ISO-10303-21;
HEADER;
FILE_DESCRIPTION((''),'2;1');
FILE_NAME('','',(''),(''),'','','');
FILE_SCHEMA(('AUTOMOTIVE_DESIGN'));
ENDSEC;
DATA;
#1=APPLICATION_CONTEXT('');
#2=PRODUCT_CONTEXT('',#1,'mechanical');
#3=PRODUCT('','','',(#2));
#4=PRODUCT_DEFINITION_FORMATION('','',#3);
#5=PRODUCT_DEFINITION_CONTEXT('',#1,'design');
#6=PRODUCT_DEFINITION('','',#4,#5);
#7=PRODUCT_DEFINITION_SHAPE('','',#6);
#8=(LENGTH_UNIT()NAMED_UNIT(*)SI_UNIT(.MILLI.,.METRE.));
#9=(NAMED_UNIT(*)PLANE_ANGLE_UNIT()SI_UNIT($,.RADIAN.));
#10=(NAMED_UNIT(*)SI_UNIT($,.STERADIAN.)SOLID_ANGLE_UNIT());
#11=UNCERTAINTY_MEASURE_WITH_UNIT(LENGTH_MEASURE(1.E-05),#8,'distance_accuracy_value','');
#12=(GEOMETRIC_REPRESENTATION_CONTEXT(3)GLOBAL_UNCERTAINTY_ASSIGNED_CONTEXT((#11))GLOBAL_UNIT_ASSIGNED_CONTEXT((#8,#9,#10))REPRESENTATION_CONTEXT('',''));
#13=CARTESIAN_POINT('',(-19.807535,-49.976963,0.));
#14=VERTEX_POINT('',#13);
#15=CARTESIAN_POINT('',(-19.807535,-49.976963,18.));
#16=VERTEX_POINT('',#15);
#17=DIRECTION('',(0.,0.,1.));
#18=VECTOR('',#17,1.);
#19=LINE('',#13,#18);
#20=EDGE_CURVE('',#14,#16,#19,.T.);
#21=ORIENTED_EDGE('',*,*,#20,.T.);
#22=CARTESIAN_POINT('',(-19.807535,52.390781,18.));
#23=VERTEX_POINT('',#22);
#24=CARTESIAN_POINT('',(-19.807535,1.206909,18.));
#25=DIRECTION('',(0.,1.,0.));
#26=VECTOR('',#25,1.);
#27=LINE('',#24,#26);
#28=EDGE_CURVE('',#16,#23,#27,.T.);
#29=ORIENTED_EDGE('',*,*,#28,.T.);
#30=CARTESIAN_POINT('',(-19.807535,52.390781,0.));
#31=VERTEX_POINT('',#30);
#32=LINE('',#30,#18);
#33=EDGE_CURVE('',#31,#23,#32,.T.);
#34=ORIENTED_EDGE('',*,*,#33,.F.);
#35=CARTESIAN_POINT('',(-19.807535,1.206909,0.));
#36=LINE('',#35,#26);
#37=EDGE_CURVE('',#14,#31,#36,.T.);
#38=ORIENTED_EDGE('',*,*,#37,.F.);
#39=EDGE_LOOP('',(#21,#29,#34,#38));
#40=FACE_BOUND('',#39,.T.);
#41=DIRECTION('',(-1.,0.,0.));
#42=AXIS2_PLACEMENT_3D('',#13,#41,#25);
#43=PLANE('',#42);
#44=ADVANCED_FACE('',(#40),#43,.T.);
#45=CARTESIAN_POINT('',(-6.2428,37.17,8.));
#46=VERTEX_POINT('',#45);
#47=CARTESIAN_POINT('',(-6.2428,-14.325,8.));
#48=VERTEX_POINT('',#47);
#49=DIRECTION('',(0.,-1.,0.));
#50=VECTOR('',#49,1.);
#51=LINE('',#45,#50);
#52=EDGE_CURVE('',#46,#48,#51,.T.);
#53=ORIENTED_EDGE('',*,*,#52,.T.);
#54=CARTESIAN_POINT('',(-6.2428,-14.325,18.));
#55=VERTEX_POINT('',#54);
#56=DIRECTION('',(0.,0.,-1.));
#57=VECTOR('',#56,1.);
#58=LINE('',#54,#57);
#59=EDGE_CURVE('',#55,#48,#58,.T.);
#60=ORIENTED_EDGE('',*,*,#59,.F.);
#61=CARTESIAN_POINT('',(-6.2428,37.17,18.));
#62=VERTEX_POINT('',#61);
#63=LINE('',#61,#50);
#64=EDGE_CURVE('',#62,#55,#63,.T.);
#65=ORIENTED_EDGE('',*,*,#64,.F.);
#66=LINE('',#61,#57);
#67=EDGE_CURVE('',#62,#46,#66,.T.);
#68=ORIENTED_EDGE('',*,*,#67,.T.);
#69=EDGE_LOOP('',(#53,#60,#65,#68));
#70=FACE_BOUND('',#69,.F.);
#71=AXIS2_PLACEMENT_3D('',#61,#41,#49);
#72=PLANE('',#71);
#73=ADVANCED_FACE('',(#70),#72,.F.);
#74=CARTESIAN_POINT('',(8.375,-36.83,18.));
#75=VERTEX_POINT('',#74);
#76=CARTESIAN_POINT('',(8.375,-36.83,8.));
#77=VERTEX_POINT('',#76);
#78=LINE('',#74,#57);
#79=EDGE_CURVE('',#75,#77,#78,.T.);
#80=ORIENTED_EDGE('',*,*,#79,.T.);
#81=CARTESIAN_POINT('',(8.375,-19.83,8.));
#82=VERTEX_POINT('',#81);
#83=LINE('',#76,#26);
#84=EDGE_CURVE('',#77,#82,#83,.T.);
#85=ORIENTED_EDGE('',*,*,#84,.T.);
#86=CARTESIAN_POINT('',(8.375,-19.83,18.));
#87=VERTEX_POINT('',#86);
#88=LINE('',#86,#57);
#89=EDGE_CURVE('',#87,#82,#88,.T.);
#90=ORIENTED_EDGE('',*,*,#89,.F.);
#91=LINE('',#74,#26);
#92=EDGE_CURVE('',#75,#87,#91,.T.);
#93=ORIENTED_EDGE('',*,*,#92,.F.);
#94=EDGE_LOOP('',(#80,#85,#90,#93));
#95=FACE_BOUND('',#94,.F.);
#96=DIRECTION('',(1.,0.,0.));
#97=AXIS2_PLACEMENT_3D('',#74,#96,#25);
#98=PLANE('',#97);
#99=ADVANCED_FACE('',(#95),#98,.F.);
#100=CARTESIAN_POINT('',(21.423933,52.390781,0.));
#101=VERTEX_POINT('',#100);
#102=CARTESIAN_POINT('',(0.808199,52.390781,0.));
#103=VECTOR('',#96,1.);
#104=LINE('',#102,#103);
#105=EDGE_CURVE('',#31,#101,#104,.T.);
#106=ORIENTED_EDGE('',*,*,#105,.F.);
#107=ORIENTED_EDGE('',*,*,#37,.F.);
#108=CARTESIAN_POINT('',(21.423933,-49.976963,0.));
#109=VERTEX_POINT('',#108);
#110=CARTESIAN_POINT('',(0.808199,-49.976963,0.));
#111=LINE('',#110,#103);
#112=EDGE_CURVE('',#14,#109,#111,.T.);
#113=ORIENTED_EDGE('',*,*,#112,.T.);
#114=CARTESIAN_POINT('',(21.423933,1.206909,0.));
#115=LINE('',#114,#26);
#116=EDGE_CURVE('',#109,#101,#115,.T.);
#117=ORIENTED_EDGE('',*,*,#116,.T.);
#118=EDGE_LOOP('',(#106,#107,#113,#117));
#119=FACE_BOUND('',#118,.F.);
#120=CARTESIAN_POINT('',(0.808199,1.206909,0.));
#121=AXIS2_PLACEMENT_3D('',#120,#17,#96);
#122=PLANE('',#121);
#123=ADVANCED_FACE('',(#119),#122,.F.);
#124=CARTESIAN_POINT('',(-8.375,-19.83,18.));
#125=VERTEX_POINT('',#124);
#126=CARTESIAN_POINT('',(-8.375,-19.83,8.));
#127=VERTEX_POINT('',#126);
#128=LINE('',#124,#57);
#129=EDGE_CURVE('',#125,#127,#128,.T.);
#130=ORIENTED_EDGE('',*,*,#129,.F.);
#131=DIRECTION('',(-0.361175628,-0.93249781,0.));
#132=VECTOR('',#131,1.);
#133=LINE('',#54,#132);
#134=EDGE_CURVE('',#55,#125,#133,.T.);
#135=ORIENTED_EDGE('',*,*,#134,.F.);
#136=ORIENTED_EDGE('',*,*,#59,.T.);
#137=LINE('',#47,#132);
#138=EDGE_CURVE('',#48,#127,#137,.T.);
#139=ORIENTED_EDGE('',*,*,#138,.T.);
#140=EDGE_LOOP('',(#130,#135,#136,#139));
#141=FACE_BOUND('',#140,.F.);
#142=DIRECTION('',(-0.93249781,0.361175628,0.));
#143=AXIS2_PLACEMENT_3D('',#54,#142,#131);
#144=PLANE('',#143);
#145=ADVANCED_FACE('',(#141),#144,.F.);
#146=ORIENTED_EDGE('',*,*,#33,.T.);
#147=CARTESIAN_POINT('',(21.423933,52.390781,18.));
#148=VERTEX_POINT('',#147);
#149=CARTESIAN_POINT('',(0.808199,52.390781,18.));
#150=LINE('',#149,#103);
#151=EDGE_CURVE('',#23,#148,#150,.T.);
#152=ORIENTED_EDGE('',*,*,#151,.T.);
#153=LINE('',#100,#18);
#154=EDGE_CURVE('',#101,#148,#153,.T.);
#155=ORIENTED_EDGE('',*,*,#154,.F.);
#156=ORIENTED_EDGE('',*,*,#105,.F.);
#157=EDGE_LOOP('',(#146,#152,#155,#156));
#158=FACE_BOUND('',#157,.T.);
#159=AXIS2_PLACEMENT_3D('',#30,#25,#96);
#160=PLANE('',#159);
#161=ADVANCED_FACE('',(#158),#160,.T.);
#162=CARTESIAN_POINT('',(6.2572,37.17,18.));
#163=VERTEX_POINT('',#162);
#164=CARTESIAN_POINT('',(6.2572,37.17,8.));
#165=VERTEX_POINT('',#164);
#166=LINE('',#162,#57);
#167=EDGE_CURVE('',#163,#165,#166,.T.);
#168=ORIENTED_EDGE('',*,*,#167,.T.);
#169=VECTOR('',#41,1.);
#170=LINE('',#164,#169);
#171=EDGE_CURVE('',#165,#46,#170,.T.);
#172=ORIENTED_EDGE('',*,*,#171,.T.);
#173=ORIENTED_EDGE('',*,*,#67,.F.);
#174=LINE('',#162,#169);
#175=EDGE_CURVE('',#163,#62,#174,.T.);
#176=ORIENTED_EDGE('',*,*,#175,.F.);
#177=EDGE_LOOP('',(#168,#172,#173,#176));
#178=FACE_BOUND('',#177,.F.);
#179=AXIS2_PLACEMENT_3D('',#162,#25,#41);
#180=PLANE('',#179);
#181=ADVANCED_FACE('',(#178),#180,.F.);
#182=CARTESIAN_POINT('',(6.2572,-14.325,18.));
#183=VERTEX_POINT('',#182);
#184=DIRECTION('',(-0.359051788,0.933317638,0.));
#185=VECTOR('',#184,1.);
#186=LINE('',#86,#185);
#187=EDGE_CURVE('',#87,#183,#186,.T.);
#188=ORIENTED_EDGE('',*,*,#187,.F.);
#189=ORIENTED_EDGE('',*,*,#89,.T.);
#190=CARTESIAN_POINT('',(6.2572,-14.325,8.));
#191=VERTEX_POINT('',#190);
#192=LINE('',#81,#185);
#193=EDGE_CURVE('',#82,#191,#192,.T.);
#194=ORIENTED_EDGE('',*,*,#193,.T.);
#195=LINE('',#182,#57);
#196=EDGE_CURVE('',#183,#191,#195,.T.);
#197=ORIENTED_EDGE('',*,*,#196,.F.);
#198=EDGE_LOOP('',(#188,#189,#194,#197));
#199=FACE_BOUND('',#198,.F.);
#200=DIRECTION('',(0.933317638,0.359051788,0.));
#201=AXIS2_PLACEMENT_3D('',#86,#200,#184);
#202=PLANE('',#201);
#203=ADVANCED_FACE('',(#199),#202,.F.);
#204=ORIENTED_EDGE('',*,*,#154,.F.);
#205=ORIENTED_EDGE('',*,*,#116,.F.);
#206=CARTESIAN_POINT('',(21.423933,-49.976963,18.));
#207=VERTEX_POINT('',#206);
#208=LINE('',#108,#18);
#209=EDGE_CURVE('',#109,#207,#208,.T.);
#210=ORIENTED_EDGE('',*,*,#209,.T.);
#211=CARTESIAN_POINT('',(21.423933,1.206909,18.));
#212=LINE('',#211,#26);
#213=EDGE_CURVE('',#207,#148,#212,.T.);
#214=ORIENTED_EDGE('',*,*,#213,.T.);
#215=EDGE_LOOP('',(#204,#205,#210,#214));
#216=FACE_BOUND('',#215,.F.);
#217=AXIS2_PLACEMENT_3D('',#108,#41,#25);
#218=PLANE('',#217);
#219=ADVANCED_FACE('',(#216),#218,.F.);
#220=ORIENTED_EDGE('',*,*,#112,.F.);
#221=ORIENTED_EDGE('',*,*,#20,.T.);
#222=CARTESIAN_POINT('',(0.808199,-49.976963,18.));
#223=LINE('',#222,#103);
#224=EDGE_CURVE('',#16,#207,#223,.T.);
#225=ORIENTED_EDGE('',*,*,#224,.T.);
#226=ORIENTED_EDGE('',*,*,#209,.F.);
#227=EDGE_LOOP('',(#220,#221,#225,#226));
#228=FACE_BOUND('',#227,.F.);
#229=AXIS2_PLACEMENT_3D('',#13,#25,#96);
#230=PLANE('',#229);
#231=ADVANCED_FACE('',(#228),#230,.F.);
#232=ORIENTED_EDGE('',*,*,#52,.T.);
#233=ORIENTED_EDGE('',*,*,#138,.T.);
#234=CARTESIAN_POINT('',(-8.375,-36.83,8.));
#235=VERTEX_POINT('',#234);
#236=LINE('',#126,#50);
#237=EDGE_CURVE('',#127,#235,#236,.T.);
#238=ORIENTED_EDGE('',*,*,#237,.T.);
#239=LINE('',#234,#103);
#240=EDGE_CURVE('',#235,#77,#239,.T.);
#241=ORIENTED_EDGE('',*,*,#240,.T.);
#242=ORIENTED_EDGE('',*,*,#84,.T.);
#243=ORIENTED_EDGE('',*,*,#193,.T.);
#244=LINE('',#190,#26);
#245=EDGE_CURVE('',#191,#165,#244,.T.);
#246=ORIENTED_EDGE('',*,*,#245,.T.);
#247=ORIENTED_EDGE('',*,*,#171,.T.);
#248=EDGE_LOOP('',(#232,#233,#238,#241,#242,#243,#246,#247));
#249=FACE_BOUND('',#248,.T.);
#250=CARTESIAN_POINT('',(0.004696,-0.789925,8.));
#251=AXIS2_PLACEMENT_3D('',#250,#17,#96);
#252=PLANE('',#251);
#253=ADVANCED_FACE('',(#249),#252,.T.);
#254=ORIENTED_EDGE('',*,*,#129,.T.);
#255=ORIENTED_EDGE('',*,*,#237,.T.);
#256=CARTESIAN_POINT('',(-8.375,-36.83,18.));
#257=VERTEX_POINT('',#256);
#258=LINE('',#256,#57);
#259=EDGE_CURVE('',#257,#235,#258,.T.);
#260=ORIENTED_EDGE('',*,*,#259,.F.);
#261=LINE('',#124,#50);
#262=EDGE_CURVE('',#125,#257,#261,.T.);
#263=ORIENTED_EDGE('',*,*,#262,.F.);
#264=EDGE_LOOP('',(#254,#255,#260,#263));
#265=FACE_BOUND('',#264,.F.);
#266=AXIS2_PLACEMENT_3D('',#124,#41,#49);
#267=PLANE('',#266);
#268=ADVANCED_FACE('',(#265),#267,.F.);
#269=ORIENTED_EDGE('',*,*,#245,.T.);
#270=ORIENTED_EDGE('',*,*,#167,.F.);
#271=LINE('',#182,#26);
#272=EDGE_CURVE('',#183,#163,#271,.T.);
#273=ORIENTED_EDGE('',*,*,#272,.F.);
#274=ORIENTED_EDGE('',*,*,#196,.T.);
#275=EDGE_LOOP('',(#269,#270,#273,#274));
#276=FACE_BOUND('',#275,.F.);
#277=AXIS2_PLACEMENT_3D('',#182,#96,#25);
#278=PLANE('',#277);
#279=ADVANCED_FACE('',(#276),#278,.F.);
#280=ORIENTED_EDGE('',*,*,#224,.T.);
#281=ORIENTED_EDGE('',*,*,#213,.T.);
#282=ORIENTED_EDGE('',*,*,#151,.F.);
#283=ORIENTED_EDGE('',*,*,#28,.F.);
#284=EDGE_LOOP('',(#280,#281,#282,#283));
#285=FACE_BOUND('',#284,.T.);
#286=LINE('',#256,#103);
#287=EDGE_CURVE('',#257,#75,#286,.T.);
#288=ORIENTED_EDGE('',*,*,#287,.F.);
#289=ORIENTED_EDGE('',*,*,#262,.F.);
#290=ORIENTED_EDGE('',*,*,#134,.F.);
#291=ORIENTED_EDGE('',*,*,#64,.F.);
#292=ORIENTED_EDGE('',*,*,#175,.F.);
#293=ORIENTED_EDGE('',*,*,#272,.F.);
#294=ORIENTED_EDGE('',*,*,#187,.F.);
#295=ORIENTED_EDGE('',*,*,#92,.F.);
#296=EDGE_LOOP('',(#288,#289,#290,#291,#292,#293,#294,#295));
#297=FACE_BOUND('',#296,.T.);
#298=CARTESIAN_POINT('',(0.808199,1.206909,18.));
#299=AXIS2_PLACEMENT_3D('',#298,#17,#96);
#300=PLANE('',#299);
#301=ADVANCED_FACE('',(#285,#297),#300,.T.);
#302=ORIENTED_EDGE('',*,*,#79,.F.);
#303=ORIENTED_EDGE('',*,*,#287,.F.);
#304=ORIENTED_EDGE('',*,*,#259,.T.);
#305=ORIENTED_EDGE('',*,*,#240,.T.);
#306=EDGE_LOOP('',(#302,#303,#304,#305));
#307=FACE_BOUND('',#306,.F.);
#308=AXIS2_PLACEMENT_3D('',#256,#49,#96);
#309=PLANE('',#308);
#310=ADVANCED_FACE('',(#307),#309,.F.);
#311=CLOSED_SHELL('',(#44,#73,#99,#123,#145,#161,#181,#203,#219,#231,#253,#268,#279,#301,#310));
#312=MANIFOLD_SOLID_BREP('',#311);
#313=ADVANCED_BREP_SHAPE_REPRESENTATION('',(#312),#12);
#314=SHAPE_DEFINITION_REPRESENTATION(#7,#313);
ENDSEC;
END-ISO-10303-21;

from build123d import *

# Parameters (mm, degrees)
SKETCH_W     = 41.231468
SKETCH_H     = 102.367744
PAD_DEPTH    = 18
POCKET_DEPTH = 10


with BuildPart() as part:
    # Sketch → Pad (new body)
    with BuildSketch(Plane.XY):
        with Locations((0.808199, 1.206909)):
            Rectangle(SKETCH_W, SKETCH_H)
    extrude(amount=PAD_DEPTH)

    # Sketch001 → Pocket (cut)
    with BuildSketch(Plane.XY.offset(18)):
        Polygon((-6.2428, 37.17), (-6.2428, -14.325), (-8.375, -19.83), (-8.375, -36.83), (8.375, -36.83), (8.375, -19.83), (6.2572, -14.325), (6.2572, 37.17), align=None)
    extrude(amount=-POCKET_DEPTH, mode=Mode.SUBTRACT)


solid = part.part
